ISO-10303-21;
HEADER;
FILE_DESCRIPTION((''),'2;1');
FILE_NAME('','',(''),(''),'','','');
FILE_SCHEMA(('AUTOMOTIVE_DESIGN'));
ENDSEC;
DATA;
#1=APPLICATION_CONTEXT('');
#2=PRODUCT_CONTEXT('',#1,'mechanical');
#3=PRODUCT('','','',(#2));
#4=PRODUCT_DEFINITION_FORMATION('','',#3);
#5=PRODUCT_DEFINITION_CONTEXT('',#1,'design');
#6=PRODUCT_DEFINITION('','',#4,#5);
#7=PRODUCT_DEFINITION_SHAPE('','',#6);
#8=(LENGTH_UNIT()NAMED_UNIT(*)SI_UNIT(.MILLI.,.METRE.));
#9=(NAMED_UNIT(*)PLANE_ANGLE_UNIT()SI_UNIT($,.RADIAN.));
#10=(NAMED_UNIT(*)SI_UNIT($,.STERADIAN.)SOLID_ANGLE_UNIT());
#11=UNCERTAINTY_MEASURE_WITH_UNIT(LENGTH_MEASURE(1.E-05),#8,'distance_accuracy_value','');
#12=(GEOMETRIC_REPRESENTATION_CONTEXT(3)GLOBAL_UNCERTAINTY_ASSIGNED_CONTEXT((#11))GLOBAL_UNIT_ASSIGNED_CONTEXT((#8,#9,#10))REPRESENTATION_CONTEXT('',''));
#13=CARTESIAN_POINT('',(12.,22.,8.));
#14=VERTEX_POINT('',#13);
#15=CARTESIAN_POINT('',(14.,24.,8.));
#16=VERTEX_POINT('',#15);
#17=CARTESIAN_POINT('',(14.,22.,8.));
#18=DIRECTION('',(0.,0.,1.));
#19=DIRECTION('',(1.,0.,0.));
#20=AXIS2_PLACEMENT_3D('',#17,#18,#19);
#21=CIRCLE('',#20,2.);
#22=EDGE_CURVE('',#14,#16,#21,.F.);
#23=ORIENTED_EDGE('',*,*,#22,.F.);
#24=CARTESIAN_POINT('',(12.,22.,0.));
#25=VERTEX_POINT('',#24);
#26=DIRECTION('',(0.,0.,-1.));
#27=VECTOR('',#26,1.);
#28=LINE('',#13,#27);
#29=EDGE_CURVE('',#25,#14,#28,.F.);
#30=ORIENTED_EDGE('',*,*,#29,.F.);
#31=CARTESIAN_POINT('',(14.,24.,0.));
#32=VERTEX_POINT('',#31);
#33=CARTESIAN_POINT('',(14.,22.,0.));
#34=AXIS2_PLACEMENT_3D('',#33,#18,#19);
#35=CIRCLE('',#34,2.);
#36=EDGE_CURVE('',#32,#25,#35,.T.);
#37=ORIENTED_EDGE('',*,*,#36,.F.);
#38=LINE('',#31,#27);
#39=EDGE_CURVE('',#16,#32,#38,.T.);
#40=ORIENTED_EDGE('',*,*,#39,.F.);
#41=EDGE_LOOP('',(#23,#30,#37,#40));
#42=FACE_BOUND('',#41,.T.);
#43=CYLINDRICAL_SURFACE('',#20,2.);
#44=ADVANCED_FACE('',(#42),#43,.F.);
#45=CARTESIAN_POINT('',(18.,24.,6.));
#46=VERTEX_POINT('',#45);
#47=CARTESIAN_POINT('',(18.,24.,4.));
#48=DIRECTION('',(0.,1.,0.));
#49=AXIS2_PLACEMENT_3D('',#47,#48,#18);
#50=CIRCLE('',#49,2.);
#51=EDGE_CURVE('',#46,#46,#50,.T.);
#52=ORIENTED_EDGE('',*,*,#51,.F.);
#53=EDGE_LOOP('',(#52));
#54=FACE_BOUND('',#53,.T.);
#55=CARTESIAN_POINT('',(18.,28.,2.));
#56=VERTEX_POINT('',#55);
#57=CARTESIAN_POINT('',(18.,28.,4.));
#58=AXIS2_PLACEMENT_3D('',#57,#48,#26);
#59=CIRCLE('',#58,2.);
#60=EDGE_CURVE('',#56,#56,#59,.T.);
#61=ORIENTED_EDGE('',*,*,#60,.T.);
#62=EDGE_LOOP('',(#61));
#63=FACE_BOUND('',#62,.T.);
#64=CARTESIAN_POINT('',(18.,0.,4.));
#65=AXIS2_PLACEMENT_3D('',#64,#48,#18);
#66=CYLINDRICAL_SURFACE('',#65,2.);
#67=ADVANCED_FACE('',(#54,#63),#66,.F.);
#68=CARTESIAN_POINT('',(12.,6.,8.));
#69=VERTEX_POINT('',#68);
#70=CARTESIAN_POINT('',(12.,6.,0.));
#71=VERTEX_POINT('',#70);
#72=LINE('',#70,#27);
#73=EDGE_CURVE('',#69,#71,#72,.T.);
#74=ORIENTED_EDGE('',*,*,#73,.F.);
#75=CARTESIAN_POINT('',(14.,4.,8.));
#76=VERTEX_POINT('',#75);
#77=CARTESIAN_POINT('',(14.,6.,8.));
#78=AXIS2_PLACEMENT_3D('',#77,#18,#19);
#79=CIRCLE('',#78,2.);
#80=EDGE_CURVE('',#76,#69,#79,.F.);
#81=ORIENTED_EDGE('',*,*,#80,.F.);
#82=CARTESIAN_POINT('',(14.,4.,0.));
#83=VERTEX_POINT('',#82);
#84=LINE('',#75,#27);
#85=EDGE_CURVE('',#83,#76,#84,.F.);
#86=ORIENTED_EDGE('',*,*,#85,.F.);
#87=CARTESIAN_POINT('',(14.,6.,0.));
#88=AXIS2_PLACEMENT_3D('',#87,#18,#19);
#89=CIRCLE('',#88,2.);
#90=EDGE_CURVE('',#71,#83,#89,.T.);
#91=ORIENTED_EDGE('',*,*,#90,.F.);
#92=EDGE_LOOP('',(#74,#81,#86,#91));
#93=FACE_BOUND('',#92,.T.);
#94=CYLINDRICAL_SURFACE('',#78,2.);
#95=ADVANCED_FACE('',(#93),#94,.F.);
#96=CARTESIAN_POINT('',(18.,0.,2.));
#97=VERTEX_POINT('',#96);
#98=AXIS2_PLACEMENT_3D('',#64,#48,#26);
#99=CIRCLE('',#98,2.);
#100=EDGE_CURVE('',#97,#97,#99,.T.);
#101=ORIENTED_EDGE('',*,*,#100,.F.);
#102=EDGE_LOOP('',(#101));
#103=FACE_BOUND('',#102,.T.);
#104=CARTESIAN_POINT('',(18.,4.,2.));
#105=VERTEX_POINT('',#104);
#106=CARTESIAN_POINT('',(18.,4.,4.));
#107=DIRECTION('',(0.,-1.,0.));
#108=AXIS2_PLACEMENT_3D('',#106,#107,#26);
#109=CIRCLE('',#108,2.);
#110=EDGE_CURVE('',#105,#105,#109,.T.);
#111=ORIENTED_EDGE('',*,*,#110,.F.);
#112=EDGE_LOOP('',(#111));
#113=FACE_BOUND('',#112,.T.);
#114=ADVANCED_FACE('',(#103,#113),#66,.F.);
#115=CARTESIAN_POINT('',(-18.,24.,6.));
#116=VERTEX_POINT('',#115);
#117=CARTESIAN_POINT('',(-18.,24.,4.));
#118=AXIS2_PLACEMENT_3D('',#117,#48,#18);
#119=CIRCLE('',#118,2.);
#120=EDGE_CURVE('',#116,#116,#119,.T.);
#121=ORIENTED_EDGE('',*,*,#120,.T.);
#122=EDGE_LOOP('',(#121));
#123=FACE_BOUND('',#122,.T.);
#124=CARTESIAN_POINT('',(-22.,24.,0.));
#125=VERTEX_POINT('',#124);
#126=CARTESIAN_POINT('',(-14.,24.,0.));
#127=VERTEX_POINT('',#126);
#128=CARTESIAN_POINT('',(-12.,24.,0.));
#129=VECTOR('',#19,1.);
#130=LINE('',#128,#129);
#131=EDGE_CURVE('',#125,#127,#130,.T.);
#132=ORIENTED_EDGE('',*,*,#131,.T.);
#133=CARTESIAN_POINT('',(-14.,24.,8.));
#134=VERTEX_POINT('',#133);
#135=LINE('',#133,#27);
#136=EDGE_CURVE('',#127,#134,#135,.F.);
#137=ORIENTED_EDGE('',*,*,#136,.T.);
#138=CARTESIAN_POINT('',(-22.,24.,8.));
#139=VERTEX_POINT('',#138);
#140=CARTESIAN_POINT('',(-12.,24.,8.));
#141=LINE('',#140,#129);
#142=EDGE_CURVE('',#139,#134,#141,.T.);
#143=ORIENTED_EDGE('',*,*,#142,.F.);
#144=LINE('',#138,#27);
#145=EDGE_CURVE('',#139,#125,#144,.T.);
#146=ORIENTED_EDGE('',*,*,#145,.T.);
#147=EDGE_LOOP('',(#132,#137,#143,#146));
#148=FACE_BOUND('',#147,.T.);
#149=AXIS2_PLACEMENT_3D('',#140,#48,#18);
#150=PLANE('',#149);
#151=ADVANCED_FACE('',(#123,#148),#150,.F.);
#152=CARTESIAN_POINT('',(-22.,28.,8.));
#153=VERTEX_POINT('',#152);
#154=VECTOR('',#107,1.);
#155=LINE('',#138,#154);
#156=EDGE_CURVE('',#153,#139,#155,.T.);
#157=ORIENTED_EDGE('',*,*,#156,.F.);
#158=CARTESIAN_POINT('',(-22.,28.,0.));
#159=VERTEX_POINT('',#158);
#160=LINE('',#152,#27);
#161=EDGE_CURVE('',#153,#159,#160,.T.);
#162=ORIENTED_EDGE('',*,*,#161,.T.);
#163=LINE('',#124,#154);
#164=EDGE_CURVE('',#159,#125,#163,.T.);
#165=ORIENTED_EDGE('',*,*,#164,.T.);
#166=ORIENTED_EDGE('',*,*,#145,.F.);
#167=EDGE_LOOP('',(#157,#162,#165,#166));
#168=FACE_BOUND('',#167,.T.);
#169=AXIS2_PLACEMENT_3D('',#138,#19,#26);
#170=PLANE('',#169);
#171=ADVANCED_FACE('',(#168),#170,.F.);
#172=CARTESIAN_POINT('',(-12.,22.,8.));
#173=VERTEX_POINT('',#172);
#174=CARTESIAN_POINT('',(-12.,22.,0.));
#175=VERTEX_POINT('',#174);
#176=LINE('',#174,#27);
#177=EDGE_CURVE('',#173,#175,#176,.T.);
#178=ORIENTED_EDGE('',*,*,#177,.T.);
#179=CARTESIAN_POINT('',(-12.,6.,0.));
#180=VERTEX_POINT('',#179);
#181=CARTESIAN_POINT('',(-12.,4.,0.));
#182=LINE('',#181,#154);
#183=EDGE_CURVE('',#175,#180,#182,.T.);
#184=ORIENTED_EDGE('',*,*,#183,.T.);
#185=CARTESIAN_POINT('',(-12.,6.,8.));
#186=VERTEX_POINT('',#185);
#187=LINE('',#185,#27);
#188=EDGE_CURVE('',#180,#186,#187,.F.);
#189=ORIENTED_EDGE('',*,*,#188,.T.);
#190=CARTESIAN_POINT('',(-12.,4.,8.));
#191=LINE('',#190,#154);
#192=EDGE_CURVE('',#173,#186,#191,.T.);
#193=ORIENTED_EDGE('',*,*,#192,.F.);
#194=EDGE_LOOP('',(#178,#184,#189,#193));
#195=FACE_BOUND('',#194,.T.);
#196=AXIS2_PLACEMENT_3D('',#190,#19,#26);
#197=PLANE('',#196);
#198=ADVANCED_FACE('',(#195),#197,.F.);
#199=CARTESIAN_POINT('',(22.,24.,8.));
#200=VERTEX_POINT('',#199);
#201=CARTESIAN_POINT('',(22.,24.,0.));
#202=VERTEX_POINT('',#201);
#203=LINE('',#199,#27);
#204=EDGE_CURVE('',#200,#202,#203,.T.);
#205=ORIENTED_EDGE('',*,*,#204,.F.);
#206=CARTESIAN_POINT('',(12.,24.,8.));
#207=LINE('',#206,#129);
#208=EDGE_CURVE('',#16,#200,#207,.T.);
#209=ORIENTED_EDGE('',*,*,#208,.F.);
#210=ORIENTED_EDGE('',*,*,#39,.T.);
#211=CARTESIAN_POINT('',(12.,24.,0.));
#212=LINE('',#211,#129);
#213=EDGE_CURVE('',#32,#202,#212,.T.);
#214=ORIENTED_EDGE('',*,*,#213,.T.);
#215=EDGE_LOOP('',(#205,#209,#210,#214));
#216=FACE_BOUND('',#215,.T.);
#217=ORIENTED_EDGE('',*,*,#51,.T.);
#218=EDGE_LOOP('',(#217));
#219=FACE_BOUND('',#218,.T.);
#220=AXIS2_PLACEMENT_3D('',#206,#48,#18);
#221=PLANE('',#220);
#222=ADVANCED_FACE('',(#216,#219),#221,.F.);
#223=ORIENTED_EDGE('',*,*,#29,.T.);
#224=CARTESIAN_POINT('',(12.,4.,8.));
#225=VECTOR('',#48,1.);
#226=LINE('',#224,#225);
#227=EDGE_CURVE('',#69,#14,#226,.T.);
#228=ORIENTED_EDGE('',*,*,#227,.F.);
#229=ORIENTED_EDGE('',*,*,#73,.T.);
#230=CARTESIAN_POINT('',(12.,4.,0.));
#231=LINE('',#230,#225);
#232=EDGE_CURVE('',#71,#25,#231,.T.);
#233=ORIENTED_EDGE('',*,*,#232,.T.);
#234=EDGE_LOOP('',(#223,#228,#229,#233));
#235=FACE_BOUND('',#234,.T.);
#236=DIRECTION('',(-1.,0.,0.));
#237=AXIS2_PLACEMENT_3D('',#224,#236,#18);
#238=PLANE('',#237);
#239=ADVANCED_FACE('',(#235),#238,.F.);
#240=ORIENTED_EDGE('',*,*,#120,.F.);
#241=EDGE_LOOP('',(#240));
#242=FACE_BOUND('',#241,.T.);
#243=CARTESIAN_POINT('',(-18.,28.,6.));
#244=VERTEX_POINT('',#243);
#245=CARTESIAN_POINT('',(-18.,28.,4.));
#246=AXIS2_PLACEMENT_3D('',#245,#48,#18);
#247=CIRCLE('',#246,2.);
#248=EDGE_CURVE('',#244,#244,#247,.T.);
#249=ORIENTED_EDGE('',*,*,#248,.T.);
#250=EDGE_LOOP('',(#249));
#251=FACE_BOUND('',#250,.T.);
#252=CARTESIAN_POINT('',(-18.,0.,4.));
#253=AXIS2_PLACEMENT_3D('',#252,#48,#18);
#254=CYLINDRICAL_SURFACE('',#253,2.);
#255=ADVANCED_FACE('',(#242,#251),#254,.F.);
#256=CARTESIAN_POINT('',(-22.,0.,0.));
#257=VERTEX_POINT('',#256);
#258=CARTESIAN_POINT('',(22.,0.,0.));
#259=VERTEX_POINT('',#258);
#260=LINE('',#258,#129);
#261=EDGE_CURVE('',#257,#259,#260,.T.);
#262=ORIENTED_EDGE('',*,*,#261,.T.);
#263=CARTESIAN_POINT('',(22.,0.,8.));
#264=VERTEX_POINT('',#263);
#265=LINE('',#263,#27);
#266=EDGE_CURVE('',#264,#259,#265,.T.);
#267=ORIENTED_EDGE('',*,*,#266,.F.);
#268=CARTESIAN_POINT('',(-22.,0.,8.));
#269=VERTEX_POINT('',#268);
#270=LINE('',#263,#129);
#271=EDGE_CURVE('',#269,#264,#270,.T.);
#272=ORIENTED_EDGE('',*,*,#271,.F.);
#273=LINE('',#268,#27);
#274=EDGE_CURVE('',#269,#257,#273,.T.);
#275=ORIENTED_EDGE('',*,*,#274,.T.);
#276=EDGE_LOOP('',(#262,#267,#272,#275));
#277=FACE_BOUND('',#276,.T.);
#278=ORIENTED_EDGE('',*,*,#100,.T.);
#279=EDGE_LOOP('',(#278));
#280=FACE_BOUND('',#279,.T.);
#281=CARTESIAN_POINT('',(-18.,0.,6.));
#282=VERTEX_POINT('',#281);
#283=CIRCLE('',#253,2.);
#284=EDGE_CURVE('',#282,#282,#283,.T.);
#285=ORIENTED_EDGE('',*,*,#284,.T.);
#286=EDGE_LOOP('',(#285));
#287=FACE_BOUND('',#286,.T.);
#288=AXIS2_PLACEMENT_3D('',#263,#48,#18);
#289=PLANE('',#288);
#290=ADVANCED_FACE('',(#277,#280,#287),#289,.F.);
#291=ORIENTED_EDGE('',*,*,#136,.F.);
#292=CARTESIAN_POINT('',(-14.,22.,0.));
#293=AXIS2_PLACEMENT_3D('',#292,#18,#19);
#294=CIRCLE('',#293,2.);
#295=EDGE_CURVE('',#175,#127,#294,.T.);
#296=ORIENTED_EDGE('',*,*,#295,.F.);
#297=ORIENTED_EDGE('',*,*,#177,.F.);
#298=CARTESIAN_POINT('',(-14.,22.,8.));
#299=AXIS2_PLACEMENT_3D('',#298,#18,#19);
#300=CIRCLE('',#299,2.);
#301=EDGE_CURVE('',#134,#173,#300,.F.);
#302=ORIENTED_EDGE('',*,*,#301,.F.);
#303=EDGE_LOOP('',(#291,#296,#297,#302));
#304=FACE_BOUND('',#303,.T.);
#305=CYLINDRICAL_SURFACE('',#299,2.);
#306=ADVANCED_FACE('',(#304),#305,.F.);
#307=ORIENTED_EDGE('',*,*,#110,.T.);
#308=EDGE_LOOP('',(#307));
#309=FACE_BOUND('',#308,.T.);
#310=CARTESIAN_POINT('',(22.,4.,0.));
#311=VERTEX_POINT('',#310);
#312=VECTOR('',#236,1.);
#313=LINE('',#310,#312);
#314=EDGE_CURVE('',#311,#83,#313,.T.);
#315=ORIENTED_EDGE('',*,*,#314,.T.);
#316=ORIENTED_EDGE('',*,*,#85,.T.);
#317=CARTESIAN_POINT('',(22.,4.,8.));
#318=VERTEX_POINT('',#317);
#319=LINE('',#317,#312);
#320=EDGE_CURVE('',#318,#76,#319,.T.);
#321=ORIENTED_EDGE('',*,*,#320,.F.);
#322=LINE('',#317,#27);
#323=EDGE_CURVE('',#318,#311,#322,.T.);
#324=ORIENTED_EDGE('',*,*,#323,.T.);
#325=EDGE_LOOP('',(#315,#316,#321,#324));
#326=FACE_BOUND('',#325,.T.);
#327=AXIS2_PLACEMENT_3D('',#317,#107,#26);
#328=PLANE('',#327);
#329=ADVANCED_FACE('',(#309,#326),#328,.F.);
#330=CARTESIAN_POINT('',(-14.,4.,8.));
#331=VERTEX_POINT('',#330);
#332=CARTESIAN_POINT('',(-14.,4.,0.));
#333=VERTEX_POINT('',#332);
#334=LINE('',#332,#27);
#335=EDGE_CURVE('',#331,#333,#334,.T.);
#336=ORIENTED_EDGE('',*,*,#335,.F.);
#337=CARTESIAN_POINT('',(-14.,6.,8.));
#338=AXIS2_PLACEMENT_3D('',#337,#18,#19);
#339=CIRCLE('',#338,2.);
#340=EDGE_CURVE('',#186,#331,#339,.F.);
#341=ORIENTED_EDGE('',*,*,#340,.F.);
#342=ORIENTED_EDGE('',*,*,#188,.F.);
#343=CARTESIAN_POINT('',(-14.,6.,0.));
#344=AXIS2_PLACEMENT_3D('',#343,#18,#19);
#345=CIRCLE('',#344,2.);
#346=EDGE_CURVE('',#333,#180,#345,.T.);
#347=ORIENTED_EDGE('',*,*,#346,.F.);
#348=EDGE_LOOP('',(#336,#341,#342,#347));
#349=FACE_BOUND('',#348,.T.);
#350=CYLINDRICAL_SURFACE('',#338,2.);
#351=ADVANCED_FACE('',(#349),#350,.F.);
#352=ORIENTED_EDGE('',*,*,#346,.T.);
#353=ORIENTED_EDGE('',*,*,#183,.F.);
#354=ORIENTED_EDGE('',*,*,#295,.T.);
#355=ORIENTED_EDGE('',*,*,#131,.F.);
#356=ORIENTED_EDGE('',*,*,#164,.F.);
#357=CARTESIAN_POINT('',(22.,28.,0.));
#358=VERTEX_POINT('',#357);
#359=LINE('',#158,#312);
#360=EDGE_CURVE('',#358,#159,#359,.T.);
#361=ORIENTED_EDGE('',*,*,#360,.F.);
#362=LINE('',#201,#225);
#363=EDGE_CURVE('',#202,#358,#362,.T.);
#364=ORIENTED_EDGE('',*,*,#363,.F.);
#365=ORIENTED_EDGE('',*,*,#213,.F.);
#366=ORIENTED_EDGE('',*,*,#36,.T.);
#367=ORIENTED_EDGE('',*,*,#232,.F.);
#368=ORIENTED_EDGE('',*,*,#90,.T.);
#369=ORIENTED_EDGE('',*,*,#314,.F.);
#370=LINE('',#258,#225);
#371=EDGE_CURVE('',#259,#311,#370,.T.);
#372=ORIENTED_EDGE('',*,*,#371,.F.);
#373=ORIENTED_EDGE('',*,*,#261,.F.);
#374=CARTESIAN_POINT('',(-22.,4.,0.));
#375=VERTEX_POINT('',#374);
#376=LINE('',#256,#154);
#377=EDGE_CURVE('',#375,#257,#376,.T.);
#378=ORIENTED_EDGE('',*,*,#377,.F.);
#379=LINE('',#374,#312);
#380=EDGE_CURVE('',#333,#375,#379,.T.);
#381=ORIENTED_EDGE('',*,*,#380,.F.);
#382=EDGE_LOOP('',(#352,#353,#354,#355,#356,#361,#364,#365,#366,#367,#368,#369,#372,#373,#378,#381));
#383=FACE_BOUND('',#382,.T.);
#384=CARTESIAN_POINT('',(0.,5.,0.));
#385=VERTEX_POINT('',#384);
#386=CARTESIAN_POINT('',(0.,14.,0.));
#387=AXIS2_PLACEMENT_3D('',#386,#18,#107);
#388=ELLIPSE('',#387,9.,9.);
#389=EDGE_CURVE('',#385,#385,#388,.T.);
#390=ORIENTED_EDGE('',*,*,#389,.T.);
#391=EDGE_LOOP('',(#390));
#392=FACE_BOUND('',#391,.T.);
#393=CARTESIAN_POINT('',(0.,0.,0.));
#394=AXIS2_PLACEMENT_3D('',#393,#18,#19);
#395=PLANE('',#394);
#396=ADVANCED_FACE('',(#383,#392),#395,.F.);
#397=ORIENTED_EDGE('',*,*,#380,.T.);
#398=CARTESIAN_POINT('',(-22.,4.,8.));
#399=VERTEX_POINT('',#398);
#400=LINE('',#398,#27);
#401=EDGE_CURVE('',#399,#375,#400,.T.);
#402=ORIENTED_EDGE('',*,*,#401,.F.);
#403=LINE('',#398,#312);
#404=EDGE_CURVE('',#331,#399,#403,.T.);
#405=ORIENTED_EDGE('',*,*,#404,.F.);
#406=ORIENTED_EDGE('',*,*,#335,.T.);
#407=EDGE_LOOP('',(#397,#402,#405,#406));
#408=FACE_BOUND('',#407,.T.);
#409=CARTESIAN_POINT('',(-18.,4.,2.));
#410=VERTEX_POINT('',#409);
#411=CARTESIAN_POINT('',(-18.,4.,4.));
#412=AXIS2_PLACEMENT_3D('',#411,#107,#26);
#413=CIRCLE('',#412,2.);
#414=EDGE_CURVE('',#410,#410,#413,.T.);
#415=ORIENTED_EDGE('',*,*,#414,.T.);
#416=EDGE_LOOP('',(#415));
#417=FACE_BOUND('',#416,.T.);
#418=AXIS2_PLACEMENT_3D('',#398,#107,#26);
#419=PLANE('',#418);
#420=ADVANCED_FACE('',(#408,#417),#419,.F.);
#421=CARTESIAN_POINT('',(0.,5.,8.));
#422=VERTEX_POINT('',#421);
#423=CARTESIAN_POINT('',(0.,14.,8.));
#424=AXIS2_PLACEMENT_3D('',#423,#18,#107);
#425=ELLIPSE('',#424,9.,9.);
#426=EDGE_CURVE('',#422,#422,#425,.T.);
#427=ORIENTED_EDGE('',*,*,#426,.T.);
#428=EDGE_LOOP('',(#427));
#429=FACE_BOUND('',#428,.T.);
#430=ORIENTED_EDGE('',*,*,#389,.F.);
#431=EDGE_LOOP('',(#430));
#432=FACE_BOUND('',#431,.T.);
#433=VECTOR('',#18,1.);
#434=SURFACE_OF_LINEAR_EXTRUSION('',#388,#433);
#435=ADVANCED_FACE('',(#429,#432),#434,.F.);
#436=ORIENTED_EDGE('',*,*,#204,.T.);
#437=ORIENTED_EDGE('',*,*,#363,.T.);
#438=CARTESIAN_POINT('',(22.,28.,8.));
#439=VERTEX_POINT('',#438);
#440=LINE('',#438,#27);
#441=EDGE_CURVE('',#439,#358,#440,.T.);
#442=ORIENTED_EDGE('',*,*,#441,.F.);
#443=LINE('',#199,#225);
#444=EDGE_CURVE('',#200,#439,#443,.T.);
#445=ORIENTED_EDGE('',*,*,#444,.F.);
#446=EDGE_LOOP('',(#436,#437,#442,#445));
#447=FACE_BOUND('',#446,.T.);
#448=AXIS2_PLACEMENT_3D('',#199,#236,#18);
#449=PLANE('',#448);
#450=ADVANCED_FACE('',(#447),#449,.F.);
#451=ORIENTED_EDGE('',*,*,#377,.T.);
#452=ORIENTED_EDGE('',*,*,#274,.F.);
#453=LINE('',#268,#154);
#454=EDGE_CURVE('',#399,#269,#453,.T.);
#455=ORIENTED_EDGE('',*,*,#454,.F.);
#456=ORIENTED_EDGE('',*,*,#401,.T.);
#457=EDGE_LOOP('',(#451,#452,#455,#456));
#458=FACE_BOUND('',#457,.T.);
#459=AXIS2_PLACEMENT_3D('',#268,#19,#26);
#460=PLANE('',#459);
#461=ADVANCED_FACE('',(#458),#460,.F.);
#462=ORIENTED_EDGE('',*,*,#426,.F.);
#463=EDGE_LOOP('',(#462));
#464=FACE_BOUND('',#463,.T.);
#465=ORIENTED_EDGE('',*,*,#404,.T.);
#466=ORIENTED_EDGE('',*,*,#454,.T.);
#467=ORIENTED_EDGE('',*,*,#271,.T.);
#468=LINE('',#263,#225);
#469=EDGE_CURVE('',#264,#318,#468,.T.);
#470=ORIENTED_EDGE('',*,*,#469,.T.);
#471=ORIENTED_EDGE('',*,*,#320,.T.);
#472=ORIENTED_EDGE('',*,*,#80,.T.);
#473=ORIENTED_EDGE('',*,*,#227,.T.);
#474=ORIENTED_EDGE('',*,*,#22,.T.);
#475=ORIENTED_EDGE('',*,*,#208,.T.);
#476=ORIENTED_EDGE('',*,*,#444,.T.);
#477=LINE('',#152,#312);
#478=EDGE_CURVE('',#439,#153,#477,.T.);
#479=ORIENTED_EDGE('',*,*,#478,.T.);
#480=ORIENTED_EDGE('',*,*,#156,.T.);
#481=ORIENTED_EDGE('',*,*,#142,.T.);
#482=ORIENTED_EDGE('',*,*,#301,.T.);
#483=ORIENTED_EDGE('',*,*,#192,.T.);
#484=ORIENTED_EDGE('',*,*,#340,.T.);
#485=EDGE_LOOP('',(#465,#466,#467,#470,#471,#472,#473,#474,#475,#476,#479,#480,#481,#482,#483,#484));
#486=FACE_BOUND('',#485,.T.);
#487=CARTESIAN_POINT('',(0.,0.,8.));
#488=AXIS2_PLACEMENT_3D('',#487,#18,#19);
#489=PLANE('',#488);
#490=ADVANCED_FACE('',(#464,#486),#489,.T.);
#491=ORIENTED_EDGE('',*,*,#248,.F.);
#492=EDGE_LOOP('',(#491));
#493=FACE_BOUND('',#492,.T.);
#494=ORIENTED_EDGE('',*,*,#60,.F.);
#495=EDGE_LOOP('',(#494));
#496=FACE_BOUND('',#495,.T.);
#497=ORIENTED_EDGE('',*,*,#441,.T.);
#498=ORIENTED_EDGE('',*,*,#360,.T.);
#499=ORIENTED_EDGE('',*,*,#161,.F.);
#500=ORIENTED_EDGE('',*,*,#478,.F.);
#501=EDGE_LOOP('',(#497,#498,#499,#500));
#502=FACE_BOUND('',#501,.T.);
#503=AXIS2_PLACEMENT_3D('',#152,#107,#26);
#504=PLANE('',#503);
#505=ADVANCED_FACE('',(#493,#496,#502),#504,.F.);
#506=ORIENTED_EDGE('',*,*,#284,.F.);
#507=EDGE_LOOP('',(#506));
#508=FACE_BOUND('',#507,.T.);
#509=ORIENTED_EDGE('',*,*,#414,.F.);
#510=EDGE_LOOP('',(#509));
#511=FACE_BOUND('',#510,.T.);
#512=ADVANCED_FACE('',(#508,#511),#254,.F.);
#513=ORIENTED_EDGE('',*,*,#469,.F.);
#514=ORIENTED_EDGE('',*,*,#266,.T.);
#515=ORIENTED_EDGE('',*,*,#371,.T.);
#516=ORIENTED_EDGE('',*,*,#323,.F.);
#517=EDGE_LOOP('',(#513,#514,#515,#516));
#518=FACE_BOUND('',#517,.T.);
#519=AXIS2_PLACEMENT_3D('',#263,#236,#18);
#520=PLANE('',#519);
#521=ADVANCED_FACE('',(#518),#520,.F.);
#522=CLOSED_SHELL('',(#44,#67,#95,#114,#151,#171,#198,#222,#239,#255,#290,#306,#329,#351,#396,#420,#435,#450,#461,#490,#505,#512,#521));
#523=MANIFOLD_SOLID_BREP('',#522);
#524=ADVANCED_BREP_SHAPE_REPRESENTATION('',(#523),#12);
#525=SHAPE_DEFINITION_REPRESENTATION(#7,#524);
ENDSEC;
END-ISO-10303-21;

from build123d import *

# Parameters (mm, degrees)
EXTRUDE_1_DEPTH     = 8
SKETCH_2_RX         = 9
SKETCH_2_RY         = 9
CUT_EXTRUDE_1_DEPTH = 37.496575182
FILLET_1_R          = 2
SKETCH_3_R          = 2
CUT_EXTRUDE_2_DEPTH = 37.496575341


with BuildPart() as part:
    # 草图1 → 凸台-拉伸1 (new body)
    with BuildSketch(Plane.XY):
        Polygon((22, 0), (-22, 0), (-22, 4), (-12, 4), (-12, 24), (-22, 24), (-22, 28), (22, 28), (22, 24), (12, 24), (12, 4), (22, 4), align=None)
    extrude(amount=EXTRUDE_1_DEPTH)

    # 草图2 → 切除-拉伸1 (cut, through all)
    with BuildSketch(Plane.XY.offset(8)):
        with Locations(Location((0, 14), (0, 0, 180))):
            Ellipse(SKETCH_2_RX, SKETCH_2_RY)
    extrude(amount=-CUT_EXTRUDE_1_DEPTH, mode=Mode.SUBTRACT)

    # 圆角1
    fillet_1_edges = [part.edges().sort_by_distance(p)[0] for p in [
        (-12, 4, 4),
        (-12, 24, 4),
        (12, 24, 4),
        (12, 4, 4),
    ]]
    fillet(fillet_1_edges, radius=FILLET_1_R)

    # 草图3 → 切除-拉伸2 (cut, through all)
    with BuildSketch(Plane(origin=(0, 28, 0), x_dir=(1, 0, 0), z_dir=(0, 1, 0))):
        with Locations(Location((-18, -4, 0), (0, 0, 270))):
            Circle(SKETCH_3_R)
        with Locations(Location((18, -4, 0), (0, 0, 90))):
            Circle(SKETCH_3_R)
    extrude(amount=-CUT_EXTRUDE_2_DEPTH, mode=Mode.SUBTRACT)


solid = part.part
